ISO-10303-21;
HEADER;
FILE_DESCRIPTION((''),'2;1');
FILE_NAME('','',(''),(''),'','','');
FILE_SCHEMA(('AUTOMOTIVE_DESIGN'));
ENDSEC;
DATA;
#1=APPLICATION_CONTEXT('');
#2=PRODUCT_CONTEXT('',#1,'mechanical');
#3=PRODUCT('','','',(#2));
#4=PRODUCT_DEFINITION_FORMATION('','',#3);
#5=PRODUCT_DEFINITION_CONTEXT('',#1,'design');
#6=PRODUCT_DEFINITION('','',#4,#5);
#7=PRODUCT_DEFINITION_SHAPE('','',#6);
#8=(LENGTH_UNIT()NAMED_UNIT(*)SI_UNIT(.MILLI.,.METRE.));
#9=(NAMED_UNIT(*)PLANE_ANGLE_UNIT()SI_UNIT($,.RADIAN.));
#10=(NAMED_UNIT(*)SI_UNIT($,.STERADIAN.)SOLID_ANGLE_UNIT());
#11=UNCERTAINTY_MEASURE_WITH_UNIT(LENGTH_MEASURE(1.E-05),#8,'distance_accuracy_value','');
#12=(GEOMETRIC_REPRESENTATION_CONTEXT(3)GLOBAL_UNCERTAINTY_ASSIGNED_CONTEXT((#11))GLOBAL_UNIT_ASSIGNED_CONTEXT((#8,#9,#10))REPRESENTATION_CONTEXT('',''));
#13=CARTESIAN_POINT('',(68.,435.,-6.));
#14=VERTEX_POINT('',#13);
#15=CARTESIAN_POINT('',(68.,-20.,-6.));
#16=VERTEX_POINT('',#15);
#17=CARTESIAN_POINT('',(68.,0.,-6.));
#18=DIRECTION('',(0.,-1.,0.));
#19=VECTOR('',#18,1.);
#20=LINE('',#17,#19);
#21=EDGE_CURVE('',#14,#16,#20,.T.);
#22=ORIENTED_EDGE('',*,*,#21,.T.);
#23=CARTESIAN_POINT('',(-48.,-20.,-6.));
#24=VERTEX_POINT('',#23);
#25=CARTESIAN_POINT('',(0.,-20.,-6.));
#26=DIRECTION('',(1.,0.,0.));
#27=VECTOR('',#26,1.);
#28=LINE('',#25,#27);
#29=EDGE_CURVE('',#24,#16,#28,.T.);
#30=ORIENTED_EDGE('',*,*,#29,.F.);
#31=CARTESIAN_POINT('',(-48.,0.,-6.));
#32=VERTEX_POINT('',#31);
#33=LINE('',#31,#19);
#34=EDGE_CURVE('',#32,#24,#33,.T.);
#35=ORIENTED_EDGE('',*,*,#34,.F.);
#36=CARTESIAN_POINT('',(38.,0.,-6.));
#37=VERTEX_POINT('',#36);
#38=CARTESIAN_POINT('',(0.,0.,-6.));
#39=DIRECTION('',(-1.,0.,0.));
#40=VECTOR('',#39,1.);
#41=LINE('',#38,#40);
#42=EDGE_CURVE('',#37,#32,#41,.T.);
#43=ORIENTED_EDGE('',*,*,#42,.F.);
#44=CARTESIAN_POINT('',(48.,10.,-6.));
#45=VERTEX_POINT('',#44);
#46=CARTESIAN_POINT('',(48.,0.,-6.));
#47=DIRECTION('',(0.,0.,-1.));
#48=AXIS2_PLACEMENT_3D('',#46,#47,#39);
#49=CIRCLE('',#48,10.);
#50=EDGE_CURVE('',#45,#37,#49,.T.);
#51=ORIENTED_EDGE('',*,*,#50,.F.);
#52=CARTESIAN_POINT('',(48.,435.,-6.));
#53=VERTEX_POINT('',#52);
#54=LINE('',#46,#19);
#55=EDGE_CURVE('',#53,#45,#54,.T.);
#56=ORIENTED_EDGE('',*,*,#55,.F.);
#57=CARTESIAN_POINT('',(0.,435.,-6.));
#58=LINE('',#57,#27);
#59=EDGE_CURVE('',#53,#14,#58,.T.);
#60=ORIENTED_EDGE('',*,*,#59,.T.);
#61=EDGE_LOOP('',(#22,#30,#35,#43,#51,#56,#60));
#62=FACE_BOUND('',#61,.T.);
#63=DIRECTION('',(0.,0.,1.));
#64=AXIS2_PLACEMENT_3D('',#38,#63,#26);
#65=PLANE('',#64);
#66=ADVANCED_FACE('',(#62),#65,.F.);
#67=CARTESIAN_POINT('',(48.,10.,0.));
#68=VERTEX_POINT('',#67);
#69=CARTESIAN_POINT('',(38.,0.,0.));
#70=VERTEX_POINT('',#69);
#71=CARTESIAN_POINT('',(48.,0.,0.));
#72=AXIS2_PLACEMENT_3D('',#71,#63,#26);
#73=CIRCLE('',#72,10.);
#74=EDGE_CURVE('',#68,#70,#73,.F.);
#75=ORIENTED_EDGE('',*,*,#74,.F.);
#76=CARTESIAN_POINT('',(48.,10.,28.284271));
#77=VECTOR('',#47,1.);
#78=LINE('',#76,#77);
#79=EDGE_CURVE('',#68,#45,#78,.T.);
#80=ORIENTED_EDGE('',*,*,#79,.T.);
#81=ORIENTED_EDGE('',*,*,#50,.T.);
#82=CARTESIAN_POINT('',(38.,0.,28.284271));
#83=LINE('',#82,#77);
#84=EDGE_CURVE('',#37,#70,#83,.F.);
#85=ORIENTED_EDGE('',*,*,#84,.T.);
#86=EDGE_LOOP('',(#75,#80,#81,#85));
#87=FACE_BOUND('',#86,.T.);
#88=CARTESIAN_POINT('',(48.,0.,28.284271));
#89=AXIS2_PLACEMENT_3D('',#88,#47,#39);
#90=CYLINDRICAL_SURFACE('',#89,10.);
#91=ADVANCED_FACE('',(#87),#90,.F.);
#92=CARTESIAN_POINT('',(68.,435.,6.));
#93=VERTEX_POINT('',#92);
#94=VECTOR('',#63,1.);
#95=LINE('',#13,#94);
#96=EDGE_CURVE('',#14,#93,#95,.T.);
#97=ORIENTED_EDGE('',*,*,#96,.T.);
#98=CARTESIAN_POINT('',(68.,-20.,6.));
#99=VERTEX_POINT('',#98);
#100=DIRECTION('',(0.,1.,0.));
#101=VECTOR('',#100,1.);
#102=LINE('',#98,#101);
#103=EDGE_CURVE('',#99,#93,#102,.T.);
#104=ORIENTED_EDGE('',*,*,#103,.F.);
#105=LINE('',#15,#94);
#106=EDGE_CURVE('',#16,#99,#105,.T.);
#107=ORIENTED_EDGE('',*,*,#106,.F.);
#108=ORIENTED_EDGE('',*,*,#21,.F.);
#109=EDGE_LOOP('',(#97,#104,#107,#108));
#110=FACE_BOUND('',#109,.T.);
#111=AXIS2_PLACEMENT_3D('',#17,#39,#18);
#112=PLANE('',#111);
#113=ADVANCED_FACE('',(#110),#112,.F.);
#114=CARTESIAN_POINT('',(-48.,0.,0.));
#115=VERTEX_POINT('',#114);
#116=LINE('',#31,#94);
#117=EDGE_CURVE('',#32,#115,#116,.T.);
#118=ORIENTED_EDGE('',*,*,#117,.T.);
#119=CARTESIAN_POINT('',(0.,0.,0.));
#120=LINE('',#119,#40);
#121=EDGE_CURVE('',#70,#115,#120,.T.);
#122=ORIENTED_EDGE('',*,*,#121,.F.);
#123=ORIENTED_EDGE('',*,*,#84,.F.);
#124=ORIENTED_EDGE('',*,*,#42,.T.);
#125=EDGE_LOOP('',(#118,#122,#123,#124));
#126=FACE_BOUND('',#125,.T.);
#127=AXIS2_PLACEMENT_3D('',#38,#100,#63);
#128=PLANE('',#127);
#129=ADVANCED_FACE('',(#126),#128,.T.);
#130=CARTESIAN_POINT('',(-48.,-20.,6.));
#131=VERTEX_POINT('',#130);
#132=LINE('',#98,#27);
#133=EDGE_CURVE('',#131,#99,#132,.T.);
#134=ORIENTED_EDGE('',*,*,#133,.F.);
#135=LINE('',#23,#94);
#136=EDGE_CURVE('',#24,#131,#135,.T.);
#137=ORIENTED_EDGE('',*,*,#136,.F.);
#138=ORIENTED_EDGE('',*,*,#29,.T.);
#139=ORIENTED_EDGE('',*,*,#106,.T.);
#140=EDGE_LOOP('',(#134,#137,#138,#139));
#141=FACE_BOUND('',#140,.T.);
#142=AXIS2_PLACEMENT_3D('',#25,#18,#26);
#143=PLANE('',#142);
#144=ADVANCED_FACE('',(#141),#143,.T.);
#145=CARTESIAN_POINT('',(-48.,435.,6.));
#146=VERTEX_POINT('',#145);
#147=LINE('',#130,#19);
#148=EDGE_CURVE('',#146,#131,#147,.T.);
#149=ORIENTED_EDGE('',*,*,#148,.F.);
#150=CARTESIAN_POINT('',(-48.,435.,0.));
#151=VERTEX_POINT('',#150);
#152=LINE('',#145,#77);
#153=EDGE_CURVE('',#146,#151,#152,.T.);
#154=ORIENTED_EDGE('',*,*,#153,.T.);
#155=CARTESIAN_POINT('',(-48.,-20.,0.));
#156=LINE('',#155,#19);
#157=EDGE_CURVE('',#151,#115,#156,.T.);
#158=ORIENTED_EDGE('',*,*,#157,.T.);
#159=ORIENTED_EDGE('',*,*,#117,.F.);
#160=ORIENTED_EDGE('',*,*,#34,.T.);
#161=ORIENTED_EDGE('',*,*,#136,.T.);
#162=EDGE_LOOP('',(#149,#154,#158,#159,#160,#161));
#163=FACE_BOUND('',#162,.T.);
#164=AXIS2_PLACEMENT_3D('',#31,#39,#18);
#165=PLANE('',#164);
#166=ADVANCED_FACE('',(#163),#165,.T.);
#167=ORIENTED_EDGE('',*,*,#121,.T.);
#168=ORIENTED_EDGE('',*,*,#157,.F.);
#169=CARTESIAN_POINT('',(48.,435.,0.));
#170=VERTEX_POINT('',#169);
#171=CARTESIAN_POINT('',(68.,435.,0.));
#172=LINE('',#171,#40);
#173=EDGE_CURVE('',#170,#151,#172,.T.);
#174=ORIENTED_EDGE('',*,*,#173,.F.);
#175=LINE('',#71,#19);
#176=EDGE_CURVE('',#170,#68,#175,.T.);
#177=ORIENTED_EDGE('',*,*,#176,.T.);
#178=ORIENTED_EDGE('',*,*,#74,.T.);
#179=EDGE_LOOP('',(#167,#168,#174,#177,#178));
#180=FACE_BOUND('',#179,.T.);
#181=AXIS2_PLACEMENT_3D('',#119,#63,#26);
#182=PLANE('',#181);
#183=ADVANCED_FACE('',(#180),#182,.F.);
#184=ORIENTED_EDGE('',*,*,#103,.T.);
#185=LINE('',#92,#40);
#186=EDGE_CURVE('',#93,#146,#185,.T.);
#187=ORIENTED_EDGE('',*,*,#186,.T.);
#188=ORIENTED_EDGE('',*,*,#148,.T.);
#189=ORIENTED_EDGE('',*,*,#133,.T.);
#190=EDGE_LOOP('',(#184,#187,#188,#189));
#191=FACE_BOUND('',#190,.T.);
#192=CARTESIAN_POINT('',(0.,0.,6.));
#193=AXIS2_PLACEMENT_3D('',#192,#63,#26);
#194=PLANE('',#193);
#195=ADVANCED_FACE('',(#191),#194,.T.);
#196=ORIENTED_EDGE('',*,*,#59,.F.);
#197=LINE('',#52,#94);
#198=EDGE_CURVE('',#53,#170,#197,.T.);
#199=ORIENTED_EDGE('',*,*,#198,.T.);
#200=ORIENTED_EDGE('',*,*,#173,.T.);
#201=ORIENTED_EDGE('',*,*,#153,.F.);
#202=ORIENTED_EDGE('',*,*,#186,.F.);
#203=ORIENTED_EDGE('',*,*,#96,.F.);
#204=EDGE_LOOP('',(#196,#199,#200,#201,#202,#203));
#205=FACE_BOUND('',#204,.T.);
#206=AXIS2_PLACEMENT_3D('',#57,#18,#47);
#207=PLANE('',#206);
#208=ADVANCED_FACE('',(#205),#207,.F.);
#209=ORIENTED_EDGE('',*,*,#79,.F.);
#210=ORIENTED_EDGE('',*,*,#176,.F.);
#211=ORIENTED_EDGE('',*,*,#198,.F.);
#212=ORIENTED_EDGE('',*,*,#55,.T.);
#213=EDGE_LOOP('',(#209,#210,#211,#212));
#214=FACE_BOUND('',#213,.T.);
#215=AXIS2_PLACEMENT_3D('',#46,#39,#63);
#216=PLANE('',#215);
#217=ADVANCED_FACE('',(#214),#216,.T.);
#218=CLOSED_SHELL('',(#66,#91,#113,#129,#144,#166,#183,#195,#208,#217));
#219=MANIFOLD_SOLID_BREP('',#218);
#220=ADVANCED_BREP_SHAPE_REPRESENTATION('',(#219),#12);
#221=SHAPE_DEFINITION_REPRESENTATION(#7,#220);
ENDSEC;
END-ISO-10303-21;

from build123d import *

# Parameters (mm, degrees)
BOSS_EXTRUDE1_DEPTH = 6
SKETCH2_W           = 116
SKETCH2_H           = 455
BOSS_EXTRUDE2_DEPTH = 6
SKETCH3_R           = 10
CUT_EXTRUDE1_DEPTH  = 6


with BuildPart() as part:
    # Sketch1 → Boss-Extrude1 (new body)
    with BuildSketch(Plane.XY):
        Polygon((68, 435), (48, 435), (48, 0), (-48, 0), (-48, -20), (68, -20), align=None)
    extrude(amount=-BOSS_EXTRUDE1_DEPTH)

    # Sketch2 → Boss-Extrude2 (add)
    with BuildSketch(Plane.XY):
        with Locations((10, 207.5)):
            Rectangle(SKETCH2_W, SKETCH2_H)
    extrude(amount=BOSS_EXTRUDE2_DEPTH)

    # Sketch3 → Cut-Extrude1 (cut)
    with BuildSketch(Plane(origin=(0, 0, -6), x_dir=(-1, 0, 0), z_dir=(0, 0, -1))):
        with Locations((-48, 0)):
            Circle(SKETCH3_R)
    extrude(amount=-CUT_EXTRUDE1_DEPTH, mode=Mode.SUBTRACT)


solid = part.part
